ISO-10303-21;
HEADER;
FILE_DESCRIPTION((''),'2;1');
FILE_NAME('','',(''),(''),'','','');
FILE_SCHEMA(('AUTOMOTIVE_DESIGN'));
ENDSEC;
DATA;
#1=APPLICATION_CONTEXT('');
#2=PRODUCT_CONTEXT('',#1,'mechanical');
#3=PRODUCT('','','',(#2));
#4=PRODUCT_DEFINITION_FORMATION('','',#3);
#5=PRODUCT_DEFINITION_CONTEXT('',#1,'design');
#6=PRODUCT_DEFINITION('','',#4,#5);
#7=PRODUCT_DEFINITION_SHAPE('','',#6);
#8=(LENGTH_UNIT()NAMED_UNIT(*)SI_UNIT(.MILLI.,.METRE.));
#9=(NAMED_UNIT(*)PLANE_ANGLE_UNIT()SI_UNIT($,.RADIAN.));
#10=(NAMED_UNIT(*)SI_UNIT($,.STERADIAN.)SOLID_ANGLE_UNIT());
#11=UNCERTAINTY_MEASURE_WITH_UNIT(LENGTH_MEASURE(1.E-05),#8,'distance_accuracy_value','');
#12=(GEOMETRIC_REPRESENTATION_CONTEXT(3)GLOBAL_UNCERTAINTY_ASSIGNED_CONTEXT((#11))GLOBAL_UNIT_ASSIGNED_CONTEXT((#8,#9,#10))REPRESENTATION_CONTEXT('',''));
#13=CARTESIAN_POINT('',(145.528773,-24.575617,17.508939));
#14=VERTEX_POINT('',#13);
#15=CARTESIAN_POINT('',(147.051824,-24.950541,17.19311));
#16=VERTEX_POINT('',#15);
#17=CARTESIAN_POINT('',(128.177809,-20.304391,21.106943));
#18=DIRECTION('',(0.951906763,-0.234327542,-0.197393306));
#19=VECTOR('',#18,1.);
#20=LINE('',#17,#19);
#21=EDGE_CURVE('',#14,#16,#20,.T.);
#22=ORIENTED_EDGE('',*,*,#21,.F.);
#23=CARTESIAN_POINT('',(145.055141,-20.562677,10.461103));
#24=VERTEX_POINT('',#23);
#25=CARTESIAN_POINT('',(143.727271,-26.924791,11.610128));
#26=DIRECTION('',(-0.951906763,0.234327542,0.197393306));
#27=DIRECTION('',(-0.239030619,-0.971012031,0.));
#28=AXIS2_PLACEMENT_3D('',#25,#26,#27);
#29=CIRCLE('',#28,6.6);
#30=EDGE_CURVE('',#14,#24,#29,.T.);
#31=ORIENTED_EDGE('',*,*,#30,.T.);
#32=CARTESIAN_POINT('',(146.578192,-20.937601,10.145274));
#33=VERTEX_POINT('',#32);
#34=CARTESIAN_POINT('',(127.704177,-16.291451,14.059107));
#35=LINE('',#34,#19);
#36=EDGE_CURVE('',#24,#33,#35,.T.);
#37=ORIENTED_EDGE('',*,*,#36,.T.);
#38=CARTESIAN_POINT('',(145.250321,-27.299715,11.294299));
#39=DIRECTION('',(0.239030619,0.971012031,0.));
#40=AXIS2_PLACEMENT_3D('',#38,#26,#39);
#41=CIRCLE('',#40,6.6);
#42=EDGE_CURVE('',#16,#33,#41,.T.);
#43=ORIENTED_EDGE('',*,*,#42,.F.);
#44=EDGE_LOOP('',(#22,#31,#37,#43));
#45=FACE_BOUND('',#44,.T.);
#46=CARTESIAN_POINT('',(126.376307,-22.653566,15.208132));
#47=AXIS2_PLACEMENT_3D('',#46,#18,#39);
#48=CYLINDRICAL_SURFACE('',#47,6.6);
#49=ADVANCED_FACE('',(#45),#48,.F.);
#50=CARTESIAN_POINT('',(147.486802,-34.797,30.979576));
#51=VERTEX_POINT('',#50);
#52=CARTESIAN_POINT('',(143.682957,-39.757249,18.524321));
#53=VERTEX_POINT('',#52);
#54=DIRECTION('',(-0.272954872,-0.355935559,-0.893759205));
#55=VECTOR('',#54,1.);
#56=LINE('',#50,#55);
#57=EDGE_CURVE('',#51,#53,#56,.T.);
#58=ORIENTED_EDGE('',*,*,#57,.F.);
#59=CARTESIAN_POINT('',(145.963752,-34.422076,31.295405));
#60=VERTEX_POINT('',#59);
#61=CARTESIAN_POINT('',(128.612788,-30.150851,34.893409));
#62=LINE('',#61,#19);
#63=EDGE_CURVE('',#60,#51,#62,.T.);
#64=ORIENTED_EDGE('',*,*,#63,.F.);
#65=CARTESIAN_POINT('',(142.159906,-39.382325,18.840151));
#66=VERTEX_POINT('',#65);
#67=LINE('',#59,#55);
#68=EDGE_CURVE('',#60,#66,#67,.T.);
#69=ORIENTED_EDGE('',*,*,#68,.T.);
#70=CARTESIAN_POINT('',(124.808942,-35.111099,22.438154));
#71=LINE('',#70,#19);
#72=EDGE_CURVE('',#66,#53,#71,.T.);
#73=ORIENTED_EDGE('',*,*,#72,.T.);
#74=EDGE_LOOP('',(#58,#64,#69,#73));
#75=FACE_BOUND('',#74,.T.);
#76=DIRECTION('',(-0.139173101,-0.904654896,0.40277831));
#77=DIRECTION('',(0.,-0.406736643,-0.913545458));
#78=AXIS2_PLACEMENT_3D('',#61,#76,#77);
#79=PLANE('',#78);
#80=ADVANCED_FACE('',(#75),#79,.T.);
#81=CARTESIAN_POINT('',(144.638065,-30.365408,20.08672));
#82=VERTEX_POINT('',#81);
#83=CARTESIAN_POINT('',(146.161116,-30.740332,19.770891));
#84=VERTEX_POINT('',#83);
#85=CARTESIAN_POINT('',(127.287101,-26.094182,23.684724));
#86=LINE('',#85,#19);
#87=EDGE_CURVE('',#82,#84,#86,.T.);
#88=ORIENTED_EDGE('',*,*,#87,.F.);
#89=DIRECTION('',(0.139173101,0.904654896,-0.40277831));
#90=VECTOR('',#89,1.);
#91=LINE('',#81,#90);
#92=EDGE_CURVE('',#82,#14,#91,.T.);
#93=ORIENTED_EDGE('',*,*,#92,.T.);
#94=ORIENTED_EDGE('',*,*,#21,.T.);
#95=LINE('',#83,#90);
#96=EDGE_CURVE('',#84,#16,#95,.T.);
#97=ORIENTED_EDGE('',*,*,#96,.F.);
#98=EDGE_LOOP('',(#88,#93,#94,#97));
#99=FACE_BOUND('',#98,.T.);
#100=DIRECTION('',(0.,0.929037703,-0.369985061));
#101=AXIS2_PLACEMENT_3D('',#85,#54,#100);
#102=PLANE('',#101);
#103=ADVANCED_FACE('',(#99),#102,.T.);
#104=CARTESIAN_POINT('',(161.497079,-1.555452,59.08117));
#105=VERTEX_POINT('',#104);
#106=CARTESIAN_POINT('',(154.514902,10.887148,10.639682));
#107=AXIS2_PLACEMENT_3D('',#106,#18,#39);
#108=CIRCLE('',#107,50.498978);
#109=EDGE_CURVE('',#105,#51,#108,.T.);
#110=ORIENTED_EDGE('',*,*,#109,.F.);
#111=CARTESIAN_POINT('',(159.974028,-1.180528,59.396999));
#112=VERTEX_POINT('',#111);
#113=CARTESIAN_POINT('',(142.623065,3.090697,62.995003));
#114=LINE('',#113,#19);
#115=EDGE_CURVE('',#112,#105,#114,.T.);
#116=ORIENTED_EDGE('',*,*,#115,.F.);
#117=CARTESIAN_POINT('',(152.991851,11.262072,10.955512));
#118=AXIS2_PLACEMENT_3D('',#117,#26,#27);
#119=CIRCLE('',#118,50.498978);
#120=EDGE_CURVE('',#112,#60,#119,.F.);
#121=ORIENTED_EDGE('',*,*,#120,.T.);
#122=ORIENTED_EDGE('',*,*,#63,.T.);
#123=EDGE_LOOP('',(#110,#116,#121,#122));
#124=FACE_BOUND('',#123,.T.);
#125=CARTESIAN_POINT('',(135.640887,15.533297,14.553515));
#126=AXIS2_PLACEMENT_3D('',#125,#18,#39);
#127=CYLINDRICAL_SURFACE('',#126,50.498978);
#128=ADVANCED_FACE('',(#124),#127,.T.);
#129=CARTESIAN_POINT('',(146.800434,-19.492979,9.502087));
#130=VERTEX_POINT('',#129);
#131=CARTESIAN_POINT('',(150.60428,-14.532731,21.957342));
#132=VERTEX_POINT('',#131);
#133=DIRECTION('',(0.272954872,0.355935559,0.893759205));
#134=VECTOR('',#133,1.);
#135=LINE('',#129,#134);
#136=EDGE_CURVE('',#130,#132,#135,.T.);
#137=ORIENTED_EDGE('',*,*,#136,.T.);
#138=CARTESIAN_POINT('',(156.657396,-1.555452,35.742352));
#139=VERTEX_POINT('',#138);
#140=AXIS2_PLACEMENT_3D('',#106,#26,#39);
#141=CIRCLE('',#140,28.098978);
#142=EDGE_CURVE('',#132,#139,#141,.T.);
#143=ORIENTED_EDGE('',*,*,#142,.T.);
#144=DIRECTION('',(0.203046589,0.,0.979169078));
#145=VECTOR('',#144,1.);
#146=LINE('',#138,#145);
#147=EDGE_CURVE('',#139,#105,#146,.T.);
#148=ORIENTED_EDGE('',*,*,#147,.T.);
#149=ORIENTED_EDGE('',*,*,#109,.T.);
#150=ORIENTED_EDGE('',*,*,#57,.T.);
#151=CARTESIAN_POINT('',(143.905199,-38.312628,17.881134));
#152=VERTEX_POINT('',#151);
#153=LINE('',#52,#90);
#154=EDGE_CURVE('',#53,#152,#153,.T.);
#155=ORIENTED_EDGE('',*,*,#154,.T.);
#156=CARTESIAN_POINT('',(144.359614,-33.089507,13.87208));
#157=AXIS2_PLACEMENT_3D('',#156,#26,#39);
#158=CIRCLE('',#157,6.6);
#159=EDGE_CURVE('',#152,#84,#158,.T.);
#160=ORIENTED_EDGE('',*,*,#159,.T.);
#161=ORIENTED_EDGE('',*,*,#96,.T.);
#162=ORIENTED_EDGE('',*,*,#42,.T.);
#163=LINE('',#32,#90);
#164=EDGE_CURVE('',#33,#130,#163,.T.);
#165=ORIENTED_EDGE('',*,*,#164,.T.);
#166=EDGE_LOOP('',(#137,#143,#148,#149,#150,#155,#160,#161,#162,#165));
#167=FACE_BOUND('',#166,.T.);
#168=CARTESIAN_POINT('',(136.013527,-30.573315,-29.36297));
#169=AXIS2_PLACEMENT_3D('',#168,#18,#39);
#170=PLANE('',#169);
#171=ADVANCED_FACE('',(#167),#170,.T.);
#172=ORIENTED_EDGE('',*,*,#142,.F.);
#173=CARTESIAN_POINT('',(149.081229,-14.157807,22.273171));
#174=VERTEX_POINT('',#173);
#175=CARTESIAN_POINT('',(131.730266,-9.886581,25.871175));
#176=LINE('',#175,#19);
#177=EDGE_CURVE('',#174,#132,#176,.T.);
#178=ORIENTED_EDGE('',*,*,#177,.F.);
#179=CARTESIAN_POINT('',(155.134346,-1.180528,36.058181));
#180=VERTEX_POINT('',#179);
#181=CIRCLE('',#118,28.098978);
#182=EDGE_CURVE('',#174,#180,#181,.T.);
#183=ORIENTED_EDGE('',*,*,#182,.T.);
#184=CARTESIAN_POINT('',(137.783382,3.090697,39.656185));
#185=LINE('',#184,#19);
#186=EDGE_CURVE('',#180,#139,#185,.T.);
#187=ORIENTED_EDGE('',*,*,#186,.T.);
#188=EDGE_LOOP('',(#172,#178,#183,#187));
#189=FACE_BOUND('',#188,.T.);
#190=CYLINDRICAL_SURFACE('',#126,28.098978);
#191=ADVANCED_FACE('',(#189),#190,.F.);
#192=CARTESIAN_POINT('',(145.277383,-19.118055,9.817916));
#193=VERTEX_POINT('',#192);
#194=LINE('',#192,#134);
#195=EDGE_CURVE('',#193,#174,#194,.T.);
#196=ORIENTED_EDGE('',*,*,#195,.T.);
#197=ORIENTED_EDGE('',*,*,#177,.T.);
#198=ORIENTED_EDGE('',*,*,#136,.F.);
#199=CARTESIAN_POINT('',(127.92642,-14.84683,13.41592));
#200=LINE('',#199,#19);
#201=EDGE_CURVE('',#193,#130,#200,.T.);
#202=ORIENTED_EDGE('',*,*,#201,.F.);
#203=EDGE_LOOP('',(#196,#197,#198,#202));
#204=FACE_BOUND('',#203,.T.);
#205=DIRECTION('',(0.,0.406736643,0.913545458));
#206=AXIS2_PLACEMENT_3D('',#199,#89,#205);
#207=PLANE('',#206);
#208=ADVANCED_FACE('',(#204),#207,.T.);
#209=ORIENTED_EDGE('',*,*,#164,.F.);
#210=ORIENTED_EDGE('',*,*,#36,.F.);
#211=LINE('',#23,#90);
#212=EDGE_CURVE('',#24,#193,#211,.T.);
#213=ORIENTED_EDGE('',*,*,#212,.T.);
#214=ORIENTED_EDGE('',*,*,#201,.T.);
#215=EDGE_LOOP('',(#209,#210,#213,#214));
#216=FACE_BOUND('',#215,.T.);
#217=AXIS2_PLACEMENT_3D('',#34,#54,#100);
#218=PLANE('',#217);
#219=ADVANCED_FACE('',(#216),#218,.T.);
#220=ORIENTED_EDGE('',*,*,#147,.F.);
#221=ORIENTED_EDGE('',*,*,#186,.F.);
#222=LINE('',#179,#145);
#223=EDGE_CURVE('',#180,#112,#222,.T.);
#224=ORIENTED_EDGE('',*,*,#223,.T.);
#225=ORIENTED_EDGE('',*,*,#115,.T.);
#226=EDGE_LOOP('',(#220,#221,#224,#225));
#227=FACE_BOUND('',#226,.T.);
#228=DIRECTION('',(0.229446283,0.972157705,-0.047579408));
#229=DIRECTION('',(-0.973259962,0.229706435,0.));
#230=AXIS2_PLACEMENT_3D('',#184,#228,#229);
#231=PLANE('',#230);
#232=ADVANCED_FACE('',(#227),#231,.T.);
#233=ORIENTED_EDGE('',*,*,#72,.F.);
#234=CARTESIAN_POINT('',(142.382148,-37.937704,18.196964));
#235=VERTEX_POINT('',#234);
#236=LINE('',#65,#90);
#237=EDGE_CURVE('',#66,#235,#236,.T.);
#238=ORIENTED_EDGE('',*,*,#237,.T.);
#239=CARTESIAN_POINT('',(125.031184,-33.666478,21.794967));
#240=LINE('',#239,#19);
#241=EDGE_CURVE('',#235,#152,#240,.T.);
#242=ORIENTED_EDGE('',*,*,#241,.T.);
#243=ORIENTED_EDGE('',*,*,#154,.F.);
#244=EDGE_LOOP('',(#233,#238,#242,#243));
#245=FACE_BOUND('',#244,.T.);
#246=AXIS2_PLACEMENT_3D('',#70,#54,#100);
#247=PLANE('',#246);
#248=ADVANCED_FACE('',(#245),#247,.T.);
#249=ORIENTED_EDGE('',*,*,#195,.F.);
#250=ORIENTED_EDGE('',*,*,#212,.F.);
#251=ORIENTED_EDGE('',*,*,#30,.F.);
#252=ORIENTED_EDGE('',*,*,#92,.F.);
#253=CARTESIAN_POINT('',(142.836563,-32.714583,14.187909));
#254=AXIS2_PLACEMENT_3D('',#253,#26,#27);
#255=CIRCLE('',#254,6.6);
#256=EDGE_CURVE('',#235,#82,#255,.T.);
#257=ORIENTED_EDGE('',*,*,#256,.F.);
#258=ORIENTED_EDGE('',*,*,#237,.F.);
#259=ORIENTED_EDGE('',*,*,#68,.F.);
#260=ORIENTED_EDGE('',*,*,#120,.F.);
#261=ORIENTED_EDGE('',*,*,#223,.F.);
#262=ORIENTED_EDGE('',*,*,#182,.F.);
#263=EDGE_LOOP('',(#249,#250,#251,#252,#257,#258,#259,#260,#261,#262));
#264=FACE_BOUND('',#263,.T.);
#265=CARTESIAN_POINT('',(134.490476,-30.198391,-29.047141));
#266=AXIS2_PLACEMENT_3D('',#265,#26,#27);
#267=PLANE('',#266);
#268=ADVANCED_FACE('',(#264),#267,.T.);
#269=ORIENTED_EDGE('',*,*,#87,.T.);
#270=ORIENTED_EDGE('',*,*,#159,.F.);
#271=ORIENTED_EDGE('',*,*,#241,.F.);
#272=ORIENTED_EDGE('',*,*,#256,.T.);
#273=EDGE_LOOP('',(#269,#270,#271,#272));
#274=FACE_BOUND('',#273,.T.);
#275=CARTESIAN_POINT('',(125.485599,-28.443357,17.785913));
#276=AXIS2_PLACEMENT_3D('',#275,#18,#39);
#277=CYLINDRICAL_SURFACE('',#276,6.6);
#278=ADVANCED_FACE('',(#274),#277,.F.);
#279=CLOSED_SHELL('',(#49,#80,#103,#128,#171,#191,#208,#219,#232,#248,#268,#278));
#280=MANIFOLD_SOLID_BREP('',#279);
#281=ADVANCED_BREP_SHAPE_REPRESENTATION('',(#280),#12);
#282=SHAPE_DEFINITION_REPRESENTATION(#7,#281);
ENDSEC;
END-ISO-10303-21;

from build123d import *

# Parameters (mm, degrees)
BOSS_EXTRUDE1_DEPTH = 5
CUT_EXTRUDE1_DEPTH  = 152.149714479
BOSS_EXTRUDE2_DEPTH = 1.6
CUT_EXTRUDE2_REACH  = 101.053
FILLET1_R           = 5
SKETCH8_R           = 0.9
CUT_EXTRUDE3_DEPTH  = 175.947714489
CHAMFER1_SIZE       = 1.1
CUT_EXTRUDE4_REACH  = 101.053


with BuildPart() as part:
    # Sketch3 → Boss-Extrude1 (new body)
    with BuildSketch(Plane(origin=(0, 0, 0), x_dir=(-1, 0, 0), z_dir=(0, 0.40673664307580104, 0.9135454576426005))):
        Polygon((-142.43706784, 45.295200471), (-137.485727496, 44.599334966), (-141.048558881, 19.248472407), (-145.999899225, 19.944337911), align=None)
    extrude(amount=-BOSS_EXTRUDE1_DEPTH)

    # Sketch4 → Cut-Extrude1 (cut, through all)
    with BuildSketch(Plane(origin=(-3.483639423, -22.644400664, 10.081936737), x_dir=(0.9902680687415713, -0.12714095420809696, 0.056606799890943936), z_dir=(-0.13917310096005903, -0.9046548960473729, 0.4027783100251033))):
        with BuildLine():
            Line((146.507886552, 0), (144.854753595, 0))
            ThreePointArc((144.854753595, 0), (145.65008791, -0.129885377), (146.362780386, -0.506045337))
            Line((146.362780386, -0.506045337), (146.507886552, 0))
        make_face()
        with BuildLine():
            Line((142.354753595, 0), (142.354753595, -2.5))
            ThreePointArc((142.354753595, -2.5), (143.086986642, -0.732233047), (144.854753595, 0))
            Line((144.854753595, 0), (142.354753595, 0))
        make_face()
        with BuildLine():
            Line((142.354753595, -5), (144.854753595, -5))
            ThreePointArc((144.854753595, -5), (143.086986642, -4.267766953), (142.354753595, -2.5))
            Line((142.354753595, -2.5), (142.354753595, -5))
        make_face()
        with BuildLine():
            Line((147.354753595, -5), (147.354753595, -2.851352087))
            Line((147.354753595, -2.851352087), (147.257907835, -3.18909339))
            ThreePointArc((147.257907835, -3.18909339), (146.359291153, -4.496588775), (144.854753595, -5))
            Line((144.854753595, -5), (147.354753595, -5))
        make_face()
    extrude(amount=-CUT_EXTRUDE1_DEPTH, mode=Mode.SUBTRACT)

    # 3DSketch1 → Boss-Extrude2 (add)
    with BuildSketch(Plane(origin=(145.903995961, -19.504867382, 5.193229142), x_dir=(0.26692941591244046, 0.317996421638383, 0.9097400522928664), z_dir=(-0.9519067631920917, 0.23432754207656112, 0.1973933058984336))):
        with BuildLine():
            Line((0, 0), (18.020194743, 0.750238039))
            ThreePointArc((18.020194743, 0.750238039), (27.757448286, 3.045703126), (35.949753791, 8.787601507))
            Line((35.949753791, 8.787601507), (61.336751154, 0))
            ThreePointArc((61.336751154, 0), (43.312353527, -17.691834348), (19.085081694, -24.827604243))
            Line((19.085081694, -24.827604243), (1.064886951, -25.577842282))
            Line((1.064886951, -25.577842282), (0, 0))
        make_face()
    extrude(amount=BOSS_EXTRUDE2_DEPTH)

    # SurfaceCut1
    split(bisect_by=Plane(origin=(0, 0, 0), x_dir=(1, 0, 0), z_dir=(0, 1, 0)), keep=Keep.BOTTOM)

    # Sketch7 → Cut-Extrude2 (cut, up to next)
    with BuildSketch(Plane(origin=(135.582383415, -33.375838772, -28.115206151), x_dir=(-0.1909616440160216, 0.05006214034989929, -0.9803200664162116), z_dir=(0.9519067631921003, -0.23432754207656978, -0.197393305898382)), mode=Mode.PRIVATE) as cut_extrude2_sk1:
        Polygon((-42.660506239, 14.950285755), (-33.555755259, 10.814646797), (-40.338203151, -4.11714481), (-49.44295413, 0.018494148), align=None)
    cut_extrude2_tool1 = extrude(cut_extrude2_sk1.sketch, amount=-CUT_EXTRUDE2_REACH, mode=Mode.PRIVATE) & part.part
    add(cut_extrude2_tool1.solids().sort_by_distance((144.804967, -30.194611, 12.58319))[0], mode=Mode.SUBTRACT)

    # Fillet1
    fillet1_edges = [part.edges().sort_by_distance(p)[0] for p in [
        (146.549435826, -20.809301178, 13.907118047),
        (144.26699697, -35.645641474, 20.512682331),
    ]]
    fillet(fillet1_edges, radius=FILLET1_R)

    # Sketch8 → Cut-Extrude3 (cut, through all)
    with BuildSketch(Plane(origin=(-3.483639423, -22.644400664, 10.081936737), x_dir=(-0.9902680687415713, 0.12714095420809696, -0.056606799890943936), z_dir=(-0.13917310096005903, -0.9046548960473729, 0.4027783100251033))):
        with Locations(Location((-144.854753595, 2.5, 0), (0, 0, 90))):
            Circle(SKETCH8_R)
    extrude(amount=-CUT_EXTRUDE3_DEPTH, mode=Mode.SUBTRACT)

    # Chamfer1
    chamfer1_edges = [part.edges().sort_by_distance(p)[0] for p in [
        (143.524229053, -18.552985548, 6.508903318),
        (139.961397668, -41.712150887, 16.820028055),
    ]]
    chamfer(chamfer1_edges, length=CHAMFER1_SIZE)

    # SurfaceCut2
    split(bisect_by=Plane(origin=(10.924807763, 14.246045613, 35.772021304), x_dir=(0.9620268384206857, -0.10098922508518503, -0.2535853674307606), z_dir=(0.27295487201788504, 0.355935558889345, 0.8937592045734856)), keep=Keep.TOP)

    # Sketch9 → Cut-Extrude4 (cut, up to next)
    with BuildSketch(Plane(origin=(135.582383415, -33.375838772, -28.115206151), x_dir=(-0.1916712747682247, 0.047183044012121235, -0.9803243763094306), z_dir=(0.9519067631920741, -0.23432754207660406, -0.19739330589846776)), mode=Mode.PRIVATE) as cut_extrude4_sk1:
        with BuildLine():
            Line((-38.146163081, 12.769409099), (-36.256196585, 16.96321723))
            Line((-36.256196585, 16.96321723), (-50.420150266, 23.346293676))
            ThreePointArc((-50.420150266, 23.346293676), (-58.601061454, 29.10441478), (-64.064181125, 37.485201734))
            Line((-64.064181125, 37.485201734), (-90.897397483, 38.789071088))
            ThreePointArc((-90.897397483, 38.789071088), (-80.762444903, 15.655488385), (-60.938224677, 0.006839726))
            Line((-60.938224677, 0.006839726), (-46.774270996, -6.37623672))
            Line((-46.774270996, -6.37623672), (-44.8843045, -2.182428588))
            ThreePointArc((-44.8843045, -2.182428588), (-47.505947759, 0.605338899), (-47.388480191, 4.43036992))
            Line((-47.388480191, 4.43036992), (-44.758961589, 10.265233407))
            ThreePointArc((-44.758961589, 10.265233407), (-41.971194102, 12.886876667), (-38.146163081, 12.769409099))
        make_face()
        with BuildLine():
            Line((-60.280845026, 1.465555598), (-47.575607217, -4.260141197))
            Line((-47.575607217, -4.260141197), (-46.919511198, -2.804273685))
            ThreePointArc((-46.919511198, -2.804273685), (-49.241503093, 0.809999924), (-48.847196063, 5.087749571))
            Line((-48.847196063, 5.087749571), (-46.217677461, 10.922613058))
            ThreePointArc((-46.217677461, 10.922613058), (-43.274123535, 14.051528264), (-39.028388127, 14.706013497))
            Line((-39.028388127, 14.706013497), (-38.372292108, 16.161881009))
            Line((-38.372292108, 16.161881009), (-51.077529917, 21.887577804))
            ThreePointArc((-51.077529917, 21.887577804), (-59.392005247, 27.626678002), (-65.139212663, 35.935551452))
            Line((-65.139212663, 35.935551452), (-88.946453277, 37.092383753))
            ThreePointArc((-88.946453277, 37.092383753), (-78.877215258, 15.848472994), (-60.280845026, 1.465555598))
        make_face(mode=Mode.SUBTRACT)
    cut_extrude4_tool1 = extrude(cut_extrude4_sk1.sketch, amount=-CUT_EXTRUDE4_REACH, mode=Mode.PRIVATE) & part.part
    add(cut_extrude4_tool1.solids().sort_by_distance((146.459786, -20.443408, 8.987614))[0], mode=Mode.SUBTRACT)


solid = part.part
